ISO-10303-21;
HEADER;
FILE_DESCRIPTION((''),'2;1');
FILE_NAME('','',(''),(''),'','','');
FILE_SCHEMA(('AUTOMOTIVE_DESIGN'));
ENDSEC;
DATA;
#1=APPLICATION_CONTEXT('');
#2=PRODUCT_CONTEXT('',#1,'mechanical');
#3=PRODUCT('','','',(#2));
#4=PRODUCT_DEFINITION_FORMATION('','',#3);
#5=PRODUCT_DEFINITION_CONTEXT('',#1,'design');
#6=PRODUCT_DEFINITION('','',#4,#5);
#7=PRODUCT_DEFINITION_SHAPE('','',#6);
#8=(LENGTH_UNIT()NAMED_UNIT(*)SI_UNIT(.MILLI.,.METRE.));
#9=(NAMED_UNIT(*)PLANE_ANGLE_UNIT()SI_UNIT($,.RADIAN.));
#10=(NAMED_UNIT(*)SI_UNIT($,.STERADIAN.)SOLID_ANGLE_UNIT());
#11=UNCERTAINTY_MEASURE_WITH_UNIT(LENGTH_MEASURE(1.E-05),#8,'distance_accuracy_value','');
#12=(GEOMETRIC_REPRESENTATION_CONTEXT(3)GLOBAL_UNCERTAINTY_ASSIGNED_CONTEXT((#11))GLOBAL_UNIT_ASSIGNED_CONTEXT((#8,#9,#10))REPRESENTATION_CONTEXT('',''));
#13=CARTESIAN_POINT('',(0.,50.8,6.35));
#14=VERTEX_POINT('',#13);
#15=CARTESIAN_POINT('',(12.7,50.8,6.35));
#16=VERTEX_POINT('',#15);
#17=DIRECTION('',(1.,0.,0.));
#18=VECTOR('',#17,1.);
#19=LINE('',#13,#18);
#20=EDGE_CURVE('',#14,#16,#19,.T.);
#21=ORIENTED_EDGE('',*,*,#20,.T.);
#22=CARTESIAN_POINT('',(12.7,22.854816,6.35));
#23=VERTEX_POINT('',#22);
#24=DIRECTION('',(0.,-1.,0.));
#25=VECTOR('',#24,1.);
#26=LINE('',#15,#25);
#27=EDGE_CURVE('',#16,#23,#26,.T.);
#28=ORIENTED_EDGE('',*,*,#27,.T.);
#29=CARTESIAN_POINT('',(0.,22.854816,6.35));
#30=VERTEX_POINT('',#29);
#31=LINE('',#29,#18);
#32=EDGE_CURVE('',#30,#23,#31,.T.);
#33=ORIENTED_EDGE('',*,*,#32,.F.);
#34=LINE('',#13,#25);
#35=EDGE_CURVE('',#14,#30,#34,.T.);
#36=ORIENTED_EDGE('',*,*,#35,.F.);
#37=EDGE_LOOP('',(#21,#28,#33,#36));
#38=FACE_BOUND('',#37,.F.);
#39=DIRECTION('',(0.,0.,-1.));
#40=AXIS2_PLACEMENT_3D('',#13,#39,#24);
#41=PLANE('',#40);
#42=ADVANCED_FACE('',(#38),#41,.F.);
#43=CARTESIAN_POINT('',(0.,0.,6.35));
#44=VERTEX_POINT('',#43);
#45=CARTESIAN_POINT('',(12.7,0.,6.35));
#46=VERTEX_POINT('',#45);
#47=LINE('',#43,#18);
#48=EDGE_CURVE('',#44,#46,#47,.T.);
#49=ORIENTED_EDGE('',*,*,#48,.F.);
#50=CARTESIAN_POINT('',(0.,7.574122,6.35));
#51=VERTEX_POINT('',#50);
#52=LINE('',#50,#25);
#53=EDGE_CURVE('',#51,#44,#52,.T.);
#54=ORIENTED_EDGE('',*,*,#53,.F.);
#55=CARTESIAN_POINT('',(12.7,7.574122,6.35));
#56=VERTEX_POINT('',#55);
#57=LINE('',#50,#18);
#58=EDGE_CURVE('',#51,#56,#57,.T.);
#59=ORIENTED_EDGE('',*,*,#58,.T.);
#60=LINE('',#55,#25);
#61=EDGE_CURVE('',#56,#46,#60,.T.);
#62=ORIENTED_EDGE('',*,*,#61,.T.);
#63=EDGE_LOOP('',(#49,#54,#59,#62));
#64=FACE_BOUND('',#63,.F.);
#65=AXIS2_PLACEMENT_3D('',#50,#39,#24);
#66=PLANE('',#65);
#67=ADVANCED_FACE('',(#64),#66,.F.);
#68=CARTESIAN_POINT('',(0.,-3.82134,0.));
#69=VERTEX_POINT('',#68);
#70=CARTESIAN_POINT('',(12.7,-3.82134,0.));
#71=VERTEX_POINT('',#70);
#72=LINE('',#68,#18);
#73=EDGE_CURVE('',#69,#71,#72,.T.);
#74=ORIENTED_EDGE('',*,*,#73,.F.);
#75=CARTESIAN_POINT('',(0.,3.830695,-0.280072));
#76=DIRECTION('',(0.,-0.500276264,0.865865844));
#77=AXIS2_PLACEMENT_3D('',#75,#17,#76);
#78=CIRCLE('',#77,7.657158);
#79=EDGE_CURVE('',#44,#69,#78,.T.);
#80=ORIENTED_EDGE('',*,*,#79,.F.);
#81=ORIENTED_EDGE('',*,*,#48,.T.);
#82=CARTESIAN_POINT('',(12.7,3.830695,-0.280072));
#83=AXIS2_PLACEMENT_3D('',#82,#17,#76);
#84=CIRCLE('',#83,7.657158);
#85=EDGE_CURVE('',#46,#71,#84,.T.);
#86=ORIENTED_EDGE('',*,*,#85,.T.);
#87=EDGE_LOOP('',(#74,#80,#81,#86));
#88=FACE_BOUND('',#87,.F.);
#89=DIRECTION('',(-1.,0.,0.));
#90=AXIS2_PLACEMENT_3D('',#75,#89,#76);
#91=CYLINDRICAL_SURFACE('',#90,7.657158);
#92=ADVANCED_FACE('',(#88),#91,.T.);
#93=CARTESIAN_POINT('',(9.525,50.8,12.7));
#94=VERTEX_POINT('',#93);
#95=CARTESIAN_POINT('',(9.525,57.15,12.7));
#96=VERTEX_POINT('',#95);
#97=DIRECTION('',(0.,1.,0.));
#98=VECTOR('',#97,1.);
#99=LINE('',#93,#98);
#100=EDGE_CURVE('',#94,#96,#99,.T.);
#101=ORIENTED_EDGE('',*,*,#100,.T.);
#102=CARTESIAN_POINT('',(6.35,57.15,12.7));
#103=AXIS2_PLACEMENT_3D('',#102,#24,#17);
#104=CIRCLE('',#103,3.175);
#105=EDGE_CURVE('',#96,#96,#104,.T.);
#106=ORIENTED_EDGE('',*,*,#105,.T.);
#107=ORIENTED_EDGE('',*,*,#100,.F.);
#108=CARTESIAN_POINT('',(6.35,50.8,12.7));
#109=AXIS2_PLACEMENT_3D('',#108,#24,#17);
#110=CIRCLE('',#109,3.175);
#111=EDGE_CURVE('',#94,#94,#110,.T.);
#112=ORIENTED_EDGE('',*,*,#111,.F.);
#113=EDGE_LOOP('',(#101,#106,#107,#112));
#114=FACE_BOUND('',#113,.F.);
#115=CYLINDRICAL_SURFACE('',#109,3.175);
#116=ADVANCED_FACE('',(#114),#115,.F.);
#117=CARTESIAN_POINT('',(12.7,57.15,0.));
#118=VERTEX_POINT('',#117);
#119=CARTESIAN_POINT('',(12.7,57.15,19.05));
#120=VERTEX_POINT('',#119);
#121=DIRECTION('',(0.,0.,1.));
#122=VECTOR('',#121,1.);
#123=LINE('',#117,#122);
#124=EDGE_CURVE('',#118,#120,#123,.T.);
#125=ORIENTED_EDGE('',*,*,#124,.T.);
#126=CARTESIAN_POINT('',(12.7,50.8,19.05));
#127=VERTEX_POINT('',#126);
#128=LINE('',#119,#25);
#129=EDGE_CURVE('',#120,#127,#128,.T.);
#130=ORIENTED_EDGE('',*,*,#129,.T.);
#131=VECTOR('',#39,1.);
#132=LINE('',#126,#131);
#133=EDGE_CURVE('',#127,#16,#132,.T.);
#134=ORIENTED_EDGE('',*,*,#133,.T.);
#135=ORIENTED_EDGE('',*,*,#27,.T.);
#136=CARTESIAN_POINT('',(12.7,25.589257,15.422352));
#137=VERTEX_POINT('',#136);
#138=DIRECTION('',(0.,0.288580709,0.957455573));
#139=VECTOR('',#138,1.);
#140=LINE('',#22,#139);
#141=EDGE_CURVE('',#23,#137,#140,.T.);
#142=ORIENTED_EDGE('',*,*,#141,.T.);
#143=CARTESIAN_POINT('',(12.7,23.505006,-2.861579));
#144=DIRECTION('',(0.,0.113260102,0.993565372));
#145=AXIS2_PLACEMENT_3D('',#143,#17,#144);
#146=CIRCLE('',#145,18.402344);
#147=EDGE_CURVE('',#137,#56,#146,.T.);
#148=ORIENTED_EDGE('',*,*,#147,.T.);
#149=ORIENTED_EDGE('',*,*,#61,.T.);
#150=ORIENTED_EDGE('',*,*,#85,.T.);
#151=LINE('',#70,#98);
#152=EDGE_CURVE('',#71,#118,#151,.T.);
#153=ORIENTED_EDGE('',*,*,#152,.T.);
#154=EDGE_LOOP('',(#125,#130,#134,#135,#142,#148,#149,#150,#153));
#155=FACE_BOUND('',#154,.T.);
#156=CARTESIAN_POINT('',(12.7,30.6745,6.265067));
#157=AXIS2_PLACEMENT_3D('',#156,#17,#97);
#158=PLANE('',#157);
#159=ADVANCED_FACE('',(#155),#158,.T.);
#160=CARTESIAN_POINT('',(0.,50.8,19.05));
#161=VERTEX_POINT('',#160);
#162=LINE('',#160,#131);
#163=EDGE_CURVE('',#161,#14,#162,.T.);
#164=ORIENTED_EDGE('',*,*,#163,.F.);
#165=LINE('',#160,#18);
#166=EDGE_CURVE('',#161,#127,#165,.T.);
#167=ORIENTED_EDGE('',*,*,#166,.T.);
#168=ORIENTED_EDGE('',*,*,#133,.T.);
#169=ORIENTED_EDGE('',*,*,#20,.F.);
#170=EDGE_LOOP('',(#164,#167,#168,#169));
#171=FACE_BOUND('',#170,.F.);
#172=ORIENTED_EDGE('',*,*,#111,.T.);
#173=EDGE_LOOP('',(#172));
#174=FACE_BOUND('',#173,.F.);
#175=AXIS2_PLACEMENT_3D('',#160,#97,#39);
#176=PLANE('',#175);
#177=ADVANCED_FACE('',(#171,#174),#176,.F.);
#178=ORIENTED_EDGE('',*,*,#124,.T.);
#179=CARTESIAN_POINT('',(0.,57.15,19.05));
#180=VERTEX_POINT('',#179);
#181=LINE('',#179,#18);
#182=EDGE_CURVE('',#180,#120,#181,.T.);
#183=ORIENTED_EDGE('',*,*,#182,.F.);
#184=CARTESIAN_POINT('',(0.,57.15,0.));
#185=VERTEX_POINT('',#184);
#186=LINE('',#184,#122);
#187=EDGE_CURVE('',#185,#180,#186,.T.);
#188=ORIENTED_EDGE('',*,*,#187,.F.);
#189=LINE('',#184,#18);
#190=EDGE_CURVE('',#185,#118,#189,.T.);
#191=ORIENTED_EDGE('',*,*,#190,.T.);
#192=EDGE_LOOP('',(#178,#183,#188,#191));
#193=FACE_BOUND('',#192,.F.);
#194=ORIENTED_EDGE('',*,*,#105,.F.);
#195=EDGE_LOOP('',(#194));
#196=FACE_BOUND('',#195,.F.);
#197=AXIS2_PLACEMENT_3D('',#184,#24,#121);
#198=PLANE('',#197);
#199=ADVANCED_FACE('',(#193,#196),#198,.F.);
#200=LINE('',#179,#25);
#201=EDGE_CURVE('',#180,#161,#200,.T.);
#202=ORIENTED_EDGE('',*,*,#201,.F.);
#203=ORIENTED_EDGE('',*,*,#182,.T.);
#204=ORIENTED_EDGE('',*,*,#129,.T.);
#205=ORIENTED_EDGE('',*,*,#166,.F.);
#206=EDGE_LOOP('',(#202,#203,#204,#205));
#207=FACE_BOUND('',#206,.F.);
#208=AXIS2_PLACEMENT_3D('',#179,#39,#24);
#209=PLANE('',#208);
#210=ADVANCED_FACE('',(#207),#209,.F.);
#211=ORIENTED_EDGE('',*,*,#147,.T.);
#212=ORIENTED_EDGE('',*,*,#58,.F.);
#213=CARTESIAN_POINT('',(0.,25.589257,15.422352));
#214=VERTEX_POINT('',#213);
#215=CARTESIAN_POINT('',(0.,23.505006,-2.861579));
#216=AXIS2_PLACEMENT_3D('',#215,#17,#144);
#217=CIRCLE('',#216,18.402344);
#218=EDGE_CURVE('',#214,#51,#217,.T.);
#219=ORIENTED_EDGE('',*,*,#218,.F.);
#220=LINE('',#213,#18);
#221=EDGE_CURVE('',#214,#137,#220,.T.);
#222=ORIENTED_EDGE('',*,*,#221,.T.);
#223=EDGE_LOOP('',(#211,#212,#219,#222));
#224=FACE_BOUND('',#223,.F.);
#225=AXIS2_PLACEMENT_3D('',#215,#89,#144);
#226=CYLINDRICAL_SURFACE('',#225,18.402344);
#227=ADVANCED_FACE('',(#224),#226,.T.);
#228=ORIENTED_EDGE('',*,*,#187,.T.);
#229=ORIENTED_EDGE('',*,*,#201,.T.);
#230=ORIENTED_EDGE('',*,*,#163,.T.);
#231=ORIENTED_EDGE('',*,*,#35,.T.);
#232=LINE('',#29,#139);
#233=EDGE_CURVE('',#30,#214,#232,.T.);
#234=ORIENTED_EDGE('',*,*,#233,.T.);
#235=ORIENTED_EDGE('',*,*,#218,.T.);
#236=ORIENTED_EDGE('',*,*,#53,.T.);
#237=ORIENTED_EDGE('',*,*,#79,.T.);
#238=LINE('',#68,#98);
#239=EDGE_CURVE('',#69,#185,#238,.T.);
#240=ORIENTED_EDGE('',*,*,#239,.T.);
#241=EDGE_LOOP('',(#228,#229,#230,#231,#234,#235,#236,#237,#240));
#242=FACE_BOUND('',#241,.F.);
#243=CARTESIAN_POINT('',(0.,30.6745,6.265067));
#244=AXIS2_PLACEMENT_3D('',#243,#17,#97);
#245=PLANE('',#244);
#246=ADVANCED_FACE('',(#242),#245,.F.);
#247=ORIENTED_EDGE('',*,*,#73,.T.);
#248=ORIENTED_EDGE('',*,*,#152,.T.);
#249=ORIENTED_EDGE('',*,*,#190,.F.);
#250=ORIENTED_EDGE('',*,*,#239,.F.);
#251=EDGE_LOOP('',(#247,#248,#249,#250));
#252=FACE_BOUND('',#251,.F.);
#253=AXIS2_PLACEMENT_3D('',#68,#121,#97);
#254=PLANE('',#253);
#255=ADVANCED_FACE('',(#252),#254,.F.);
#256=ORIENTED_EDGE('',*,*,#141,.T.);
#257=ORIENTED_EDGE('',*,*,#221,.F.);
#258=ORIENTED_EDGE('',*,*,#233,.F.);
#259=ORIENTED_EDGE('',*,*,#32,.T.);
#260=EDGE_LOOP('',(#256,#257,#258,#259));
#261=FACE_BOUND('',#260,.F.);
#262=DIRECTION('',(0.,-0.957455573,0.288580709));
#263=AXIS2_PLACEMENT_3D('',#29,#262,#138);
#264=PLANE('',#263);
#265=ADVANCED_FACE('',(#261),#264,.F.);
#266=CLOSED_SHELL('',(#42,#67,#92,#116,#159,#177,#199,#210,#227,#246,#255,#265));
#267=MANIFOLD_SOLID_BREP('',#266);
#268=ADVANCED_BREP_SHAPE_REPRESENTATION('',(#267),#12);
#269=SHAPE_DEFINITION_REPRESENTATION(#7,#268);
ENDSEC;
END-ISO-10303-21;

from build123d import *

# Parameters (mm, degrees)
F1_DEPTH = 12.7
F2_R     = 3.175
F3_DEPTH = 25.4


with BuildPart() as f1:
    # F0 (on Right) → F1 (new body)
    with BuildSketch(Plane.YZ):
        with BuildLine():
            Line((-3.82134, 0), (0, 0))
            Line((0, 0), (50.8, 0))
            Line((50.8, 0), (57.15, 0))
            Line((57.15, 0), (57.15, 19.05))
            Line((57.15, 19.05), (50.8, 19.05))
            Line((50.8, 19.05), (50.8, 6.35))
            Line((50.8, 6.35), (22.854816, 6.35))
            Line((22.854816, 6.35), (25.589257, 15.422352))
            ThreePointArc((25.589257, 15.422352), (15.227977, 13.574267), (7.574122, 6.35))
            Line((7.574122, 6.35), (0, 6.35))
            ThreePointArc((0, 6.35), (-2.73009, 3.668115), (-3.82134, 0))
        make_face()
    extrude(amount=F1_DEPTH)

    # F2 (on face) → F3 (cut)
    with BuildSketch(Plane.XZ.offset(-50.8)):
        with Locations((6.35, 12.7)):
            Circle(F2_R)
    extrude(amount=-F3_DEPTH, mode=Mode.SUBTRACT)


solid = f1.part
